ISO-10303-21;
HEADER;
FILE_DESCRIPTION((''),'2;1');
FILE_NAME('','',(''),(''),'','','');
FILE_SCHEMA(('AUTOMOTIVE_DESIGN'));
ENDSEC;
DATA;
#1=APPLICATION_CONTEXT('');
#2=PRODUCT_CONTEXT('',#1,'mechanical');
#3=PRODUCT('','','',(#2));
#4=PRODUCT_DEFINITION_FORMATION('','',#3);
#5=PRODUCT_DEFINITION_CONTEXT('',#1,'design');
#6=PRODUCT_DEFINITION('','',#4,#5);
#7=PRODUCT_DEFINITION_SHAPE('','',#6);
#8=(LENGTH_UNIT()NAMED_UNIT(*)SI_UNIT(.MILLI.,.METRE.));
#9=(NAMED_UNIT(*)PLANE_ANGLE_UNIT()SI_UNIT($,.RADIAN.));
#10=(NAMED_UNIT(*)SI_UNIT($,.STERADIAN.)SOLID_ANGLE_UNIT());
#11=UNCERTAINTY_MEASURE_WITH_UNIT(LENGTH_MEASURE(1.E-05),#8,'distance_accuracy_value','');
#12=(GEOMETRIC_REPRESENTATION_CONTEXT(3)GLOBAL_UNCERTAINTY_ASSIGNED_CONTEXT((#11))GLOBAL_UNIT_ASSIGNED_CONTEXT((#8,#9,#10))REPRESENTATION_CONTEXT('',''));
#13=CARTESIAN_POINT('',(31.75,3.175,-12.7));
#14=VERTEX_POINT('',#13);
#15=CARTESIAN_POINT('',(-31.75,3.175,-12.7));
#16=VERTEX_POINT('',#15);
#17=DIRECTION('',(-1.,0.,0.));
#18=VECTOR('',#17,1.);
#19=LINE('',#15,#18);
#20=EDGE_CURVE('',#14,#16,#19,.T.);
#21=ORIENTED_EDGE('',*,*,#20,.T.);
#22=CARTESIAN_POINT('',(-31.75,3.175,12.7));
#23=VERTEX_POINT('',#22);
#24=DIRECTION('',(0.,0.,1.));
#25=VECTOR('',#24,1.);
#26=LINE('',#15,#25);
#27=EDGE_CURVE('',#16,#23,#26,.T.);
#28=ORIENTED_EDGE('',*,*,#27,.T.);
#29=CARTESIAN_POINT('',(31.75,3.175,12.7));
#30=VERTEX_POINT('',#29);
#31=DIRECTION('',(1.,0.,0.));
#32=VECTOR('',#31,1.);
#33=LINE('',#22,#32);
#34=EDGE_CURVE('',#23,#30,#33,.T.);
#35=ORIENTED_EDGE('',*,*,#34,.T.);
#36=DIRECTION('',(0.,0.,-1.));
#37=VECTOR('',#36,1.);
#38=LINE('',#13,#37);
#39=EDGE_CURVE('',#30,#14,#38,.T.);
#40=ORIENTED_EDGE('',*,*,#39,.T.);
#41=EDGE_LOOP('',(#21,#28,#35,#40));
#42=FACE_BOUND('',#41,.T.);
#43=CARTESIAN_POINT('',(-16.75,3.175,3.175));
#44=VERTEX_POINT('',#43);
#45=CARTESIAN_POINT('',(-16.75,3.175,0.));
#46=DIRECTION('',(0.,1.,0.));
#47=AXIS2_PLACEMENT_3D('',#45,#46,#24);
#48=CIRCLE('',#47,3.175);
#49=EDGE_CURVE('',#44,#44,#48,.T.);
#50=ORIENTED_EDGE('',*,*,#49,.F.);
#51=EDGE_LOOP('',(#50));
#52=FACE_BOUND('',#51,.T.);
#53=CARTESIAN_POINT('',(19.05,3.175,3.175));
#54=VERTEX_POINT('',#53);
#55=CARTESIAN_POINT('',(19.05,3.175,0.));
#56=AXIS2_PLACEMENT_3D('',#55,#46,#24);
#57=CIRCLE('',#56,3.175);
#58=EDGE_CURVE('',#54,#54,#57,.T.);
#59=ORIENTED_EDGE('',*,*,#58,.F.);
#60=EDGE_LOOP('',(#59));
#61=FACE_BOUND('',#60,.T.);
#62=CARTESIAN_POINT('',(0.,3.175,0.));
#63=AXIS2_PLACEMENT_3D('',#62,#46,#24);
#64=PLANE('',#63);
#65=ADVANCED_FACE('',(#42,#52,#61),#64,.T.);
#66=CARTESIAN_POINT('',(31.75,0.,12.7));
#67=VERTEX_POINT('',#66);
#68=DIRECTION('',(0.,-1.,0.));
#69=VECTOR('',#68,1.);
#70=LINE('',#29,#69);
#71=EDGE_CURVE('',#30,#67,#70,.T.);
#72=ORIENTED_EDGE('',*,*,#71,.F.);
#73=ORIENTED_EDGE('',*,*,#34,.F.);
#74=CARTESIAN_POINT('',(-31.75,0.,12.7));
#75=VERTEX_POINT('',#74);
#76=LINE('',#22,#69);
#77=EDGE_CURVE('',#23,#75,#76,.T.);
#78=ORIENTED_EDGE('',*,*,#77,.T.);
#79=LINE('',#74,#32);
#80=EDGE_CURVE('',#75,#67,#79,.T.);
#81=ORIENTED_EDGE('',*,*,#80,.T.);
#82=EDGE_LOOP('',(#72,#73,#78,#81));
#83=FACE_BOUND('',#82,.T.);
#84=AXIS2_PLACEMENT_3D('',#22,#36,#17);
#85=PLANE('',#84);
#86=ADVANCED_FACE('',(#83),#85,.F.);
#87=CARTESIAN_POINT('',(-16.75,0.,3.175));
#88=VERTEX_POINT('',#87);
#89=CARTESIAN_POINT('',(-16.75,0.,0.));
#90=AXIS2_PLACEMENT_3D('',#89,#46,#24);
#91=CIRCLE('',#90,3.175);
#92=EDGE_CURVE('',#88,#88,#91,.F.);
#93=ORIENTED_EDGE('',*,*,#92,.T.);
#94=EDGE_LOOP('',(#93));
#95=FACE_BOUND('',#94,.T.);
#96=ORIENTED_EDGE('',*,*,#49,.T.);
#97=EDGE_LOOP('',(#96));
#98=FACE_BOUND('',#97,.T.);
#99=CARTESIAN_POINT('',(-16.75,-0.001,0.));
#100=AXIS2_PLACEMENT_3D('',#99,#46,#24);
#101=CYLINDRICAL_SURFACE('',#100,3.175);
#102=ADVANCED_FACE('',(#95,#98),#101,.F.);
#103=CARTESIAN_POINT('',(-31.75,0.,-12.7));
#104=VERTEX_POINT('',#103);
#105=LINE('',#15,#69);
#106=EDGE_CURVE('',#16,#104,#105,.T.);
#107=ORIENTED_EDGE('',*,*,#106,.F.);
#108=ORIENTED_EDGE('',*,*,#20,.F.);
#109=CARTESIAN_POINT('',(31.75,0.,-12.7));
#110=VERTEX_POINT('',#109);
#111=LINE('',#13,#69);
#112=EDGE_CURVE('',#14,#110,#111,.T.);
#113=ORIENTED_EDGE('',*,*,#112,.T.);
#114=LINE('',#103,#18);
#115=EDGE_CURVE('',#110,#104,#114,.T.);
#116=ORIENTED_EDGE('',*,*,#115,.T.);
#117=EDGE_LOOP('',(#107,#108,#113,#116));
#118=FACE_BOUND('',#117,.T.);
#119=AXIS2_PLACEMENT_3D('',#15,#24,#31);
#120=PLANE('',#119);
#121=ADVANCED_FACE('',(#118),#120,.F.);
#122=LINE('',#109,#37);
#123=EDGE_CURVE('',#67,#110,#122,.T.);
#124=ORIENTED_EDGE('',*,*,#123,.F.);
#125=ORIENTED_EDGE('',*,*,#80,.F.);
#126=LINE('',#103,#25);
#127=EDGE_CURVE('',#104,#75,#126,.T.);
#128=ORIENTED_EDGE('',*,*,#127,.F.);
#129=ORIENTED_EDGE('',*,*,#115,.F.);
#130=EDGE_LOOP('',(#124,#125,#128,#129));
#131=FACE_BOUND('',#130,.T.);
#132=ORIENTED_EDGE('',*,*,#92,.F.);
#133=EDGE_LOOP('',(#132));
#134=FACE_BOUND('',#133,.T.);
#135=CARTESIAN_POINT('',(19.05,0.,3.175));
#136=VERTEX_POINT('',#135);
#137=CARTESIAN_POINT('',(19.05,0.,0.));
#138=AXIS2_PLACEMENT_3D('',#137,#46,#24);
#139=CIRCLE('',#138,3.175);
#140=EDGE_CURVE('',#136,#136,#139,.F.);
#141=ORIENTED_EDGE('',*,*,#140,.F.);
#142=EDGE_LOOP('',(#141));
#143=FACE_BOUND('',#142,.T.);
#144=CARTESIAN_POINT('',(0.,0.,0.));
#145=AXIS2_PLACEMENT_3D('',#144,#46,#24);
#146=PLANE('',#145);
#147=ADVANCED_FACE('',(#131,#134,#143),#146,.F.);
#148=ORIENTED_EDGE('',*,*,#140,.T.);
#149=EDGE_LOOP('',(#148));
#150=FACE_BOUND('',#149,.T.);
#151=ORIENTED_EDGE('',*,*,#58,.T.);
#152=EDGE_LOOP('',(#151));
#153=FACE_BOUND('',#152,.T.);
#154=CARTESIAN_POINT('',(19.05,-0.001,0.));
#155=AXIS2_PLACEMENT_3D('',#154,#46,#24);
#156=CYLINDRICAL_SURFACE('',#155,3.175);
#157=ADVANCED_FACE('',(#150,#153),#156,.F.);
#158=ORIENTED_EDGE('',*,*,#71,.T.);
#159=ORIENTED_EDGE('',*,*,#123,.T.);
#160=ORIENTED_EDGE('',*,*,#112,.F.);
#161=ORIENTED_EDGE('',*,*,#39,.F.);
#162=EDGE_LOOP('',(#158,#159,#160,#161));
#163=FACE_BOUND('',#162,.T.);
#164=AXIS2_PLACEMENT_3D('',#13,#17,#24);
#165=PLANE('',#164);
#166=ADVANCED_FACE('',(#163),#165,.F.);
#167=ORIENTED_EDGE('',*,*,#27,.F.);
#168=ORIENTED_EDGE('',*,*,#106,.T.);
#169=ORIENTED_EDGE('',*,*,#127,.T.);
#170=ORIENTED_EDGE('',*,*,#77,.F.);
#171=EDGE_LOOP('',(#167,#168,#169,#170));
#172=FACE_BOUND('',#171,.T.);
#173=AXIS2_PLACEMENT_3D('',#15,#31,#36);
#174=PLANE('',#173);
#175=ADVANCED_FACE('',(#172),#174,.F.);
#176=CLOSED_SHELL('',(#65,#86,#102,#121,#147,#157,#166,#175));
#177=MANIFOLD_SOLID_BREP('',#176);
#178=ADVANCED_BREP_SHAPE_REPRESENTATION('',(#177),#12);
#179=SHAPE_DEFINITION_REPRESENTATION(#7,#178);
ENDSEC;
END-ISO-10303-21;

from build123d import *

# Parameters (mm, degrees)
SKETCH1_W           = 63.5
SKETCH1_H           = 25.4
BOSS_EXTRUDE1_DEPTH = 3.175
CUT_EXTRUDE1_REACH  = 36.343
SKETCH2_R           = 3.175


with BuildPart() as part:
    # Sketch1 → Boss-Extrude1 (new body)
    with BuildSketch(Plane(origin=(0, 0, 0), x_dir=(1, 0, 0), z_dir=(0, 1, 0))):
        Rectangle(SKETCH1_W, SKETCH1_H)
    extrude(amount=BOSS_EXTRUDE1_DEPTH)

    # Sketch2 → Cut-Extrude1 (cut, up to next)
    with BuildSketch(Plane(origin=(0, 3.175, 0), x_dir=(1, 0, 0), z_dir=(0, 1, 0)), mode=Mode.PRIVATE) as cut_extrude1_sk1:
        with Locations(Location((-16.75, 0, 0), (0, 0, 270))):
            Circle(SKETCH2_R)
    cut_extrude1_tool1 = extrude(cut_extrude1_sk1.sketch, amount=-CUT_EXTRUDE1_REACH, mode=Mode.PRIVATE) & part.part
    # Sketch2 → Cut-Extrude1 (cut, up to next)
    with BuildSketch(Plane(origin=(0, 3.175, 0), x_dir=(1, 0, 0), z_dir=(0, 1, 0)), mode=Mode.PRIVATE) as cut_extrude1_sk2:
        with Locations(Location((19.05, 0, 0), (0, 0, 270))):
            Circle(SKETCH2_R)
    cut_extrude1_tool2 = extrude(cut_extrude1_sk2.sketch, amount=-CUT_EXTRUDE1_REACH, mode=Mode.PRIVATE) & part.part
    add(cut_extrude1_tool1.solids().sort_by_distance((-16.75, 3.175, 0))[0], mode=Mode.SUBTRACT)
    add(cut_extrude1_tool2.solids().sort_by_distance((19.05, 3.175, 0))[0], mode=Mode.SUBTRACT)


solid = part.part
